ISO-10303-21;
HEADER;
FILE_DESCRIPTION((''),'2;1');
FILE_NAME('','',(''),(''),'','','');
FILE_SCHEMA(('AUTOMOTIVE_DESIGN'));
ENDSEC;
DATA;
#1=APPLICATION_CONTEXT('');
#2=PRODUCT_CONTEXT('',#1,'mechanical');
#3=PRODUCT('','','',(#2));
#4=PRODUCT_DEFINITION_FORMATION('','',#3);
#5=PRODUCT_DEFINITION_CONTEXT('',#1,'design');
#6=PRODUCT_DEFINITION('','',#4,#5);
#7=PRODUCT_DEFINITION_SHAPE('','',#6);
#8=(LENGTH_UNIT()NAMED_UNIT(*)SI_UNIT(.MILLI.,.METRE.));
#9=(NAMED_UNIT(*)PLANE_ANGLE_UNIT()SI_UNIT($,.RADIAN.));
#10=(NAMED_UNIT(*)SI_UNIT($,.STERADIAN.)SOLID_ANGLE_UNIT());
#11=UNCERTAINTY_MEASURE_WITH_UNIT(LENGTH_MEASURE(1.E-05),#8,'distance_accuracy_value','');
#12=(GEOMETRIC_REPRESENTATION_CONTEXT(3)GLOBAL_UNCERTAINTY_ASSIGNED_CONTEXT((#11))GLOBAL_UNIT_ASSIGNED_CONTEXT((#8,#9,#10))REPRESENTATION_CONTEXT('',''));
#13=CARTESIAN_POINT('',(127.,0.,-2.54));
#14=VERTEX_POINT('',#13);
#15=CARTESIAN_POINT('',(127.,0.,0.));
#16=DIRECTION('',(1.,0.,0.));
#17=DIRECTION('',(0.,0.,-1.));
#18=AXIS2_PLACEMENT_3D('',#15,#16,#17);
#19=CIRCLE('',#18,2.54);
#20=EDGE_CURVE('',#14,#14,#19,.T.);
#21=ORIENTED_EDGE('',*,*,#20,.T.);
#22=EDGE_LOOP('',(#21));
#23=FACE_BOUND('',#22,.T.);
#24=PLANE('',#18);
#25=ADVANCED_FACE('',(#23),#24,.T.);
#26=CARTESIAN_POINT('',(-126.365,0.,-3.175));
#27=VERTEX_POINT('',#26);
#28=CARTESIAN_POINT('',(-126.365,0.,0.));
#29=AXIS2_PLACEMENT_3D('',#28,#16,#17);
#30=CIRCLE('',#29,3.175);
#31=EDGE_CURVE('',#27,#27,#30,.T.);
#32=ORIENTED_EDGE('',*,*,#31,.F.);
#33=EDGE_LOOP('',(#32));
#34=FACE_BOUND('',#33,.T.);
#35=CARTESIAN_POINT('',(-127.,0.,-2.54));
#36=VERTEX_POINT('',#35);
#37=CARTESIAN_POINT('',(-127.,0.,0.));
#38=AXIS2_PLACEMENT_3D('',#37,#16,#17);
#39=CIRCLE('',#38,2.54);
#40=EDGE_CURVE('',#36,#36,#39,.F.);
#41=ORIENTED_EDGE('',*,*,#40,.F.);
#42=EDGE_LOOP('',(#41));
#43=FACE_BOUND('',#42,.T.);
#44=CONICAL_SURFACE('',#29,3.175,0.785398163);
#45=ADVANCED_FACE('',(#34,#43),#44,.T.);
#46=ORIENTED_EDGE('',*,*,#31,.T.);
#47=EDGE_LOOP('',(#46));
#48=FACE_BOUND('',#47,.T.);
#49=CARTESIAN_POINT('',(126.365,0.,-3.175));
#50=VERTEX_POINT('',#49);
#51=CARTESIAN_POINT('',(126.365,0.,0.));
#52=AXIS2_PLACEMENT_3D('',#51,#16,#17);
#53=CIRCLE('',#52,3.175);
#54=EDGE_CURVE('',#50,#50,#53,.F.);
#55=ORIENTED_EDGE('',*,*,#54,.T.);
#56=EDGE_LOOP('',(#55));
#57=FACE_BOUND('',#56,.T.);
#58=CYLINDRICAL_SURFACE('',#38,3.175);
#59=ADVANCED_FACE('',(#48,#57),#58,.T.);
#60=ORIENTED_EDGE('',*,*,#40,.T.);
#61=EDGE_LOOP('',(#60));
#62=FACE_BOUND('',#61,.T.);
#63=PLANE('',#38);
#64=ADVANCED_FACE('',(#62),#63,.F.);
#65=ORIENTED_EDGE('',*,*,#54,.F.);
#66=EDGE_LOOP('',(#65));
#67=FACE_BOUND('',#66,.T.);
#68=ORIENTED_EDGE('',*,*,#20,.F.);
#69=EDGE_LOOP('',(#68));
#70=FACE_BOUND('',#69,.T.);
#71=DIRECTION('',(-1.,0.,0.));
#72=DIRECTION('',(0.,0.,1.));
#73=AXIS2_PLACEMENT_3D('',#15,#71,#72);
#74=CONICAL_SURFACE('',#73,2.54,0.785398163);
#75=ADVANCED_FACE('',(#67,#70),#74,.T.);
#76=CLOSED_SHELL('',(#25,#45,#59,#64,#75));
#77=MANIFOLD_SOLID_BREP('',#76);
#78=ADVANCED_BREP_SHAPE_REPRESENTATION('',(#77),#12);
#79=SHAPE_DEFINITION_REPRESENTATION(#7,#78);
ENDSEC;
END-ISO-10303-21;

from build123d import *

# Parameters (mm, degrees)
EXTRUDE1_DEPTH      = 127
EXTRUDE1_DEPTH_BACK = 127
SKETCH2_R           = 3.175
CHAMFER1_SIZE       = 0.635


with BuildPart() as part:
    # Sketch2 → Extrude1 (new, two sides: drawn at the far end of the back side and taken through both)
    with BuildSketch(Plane(origin=(0, 0, 0), x_dir=(0, 0, -1), z_dir=(1, 0, 0)).offset(-EXTRUDE1_DEPTH_BACK)):
        Circle(SKETCH2_R)
    extrude(amount=EXTRUDE1_DEPTH + EXTRUDE1_DEPTH_BACK)

    # Chamfer1
    chamfer1_edges = [part.edges().sort_by_distance(p)[0] for p in [
        (-127, 0, 3.175),
        (127, 0, 3.175),
    ]]
    chamfer(chamfer1_edges, length=CHAMFER1_SIZE)


solid = part.part
